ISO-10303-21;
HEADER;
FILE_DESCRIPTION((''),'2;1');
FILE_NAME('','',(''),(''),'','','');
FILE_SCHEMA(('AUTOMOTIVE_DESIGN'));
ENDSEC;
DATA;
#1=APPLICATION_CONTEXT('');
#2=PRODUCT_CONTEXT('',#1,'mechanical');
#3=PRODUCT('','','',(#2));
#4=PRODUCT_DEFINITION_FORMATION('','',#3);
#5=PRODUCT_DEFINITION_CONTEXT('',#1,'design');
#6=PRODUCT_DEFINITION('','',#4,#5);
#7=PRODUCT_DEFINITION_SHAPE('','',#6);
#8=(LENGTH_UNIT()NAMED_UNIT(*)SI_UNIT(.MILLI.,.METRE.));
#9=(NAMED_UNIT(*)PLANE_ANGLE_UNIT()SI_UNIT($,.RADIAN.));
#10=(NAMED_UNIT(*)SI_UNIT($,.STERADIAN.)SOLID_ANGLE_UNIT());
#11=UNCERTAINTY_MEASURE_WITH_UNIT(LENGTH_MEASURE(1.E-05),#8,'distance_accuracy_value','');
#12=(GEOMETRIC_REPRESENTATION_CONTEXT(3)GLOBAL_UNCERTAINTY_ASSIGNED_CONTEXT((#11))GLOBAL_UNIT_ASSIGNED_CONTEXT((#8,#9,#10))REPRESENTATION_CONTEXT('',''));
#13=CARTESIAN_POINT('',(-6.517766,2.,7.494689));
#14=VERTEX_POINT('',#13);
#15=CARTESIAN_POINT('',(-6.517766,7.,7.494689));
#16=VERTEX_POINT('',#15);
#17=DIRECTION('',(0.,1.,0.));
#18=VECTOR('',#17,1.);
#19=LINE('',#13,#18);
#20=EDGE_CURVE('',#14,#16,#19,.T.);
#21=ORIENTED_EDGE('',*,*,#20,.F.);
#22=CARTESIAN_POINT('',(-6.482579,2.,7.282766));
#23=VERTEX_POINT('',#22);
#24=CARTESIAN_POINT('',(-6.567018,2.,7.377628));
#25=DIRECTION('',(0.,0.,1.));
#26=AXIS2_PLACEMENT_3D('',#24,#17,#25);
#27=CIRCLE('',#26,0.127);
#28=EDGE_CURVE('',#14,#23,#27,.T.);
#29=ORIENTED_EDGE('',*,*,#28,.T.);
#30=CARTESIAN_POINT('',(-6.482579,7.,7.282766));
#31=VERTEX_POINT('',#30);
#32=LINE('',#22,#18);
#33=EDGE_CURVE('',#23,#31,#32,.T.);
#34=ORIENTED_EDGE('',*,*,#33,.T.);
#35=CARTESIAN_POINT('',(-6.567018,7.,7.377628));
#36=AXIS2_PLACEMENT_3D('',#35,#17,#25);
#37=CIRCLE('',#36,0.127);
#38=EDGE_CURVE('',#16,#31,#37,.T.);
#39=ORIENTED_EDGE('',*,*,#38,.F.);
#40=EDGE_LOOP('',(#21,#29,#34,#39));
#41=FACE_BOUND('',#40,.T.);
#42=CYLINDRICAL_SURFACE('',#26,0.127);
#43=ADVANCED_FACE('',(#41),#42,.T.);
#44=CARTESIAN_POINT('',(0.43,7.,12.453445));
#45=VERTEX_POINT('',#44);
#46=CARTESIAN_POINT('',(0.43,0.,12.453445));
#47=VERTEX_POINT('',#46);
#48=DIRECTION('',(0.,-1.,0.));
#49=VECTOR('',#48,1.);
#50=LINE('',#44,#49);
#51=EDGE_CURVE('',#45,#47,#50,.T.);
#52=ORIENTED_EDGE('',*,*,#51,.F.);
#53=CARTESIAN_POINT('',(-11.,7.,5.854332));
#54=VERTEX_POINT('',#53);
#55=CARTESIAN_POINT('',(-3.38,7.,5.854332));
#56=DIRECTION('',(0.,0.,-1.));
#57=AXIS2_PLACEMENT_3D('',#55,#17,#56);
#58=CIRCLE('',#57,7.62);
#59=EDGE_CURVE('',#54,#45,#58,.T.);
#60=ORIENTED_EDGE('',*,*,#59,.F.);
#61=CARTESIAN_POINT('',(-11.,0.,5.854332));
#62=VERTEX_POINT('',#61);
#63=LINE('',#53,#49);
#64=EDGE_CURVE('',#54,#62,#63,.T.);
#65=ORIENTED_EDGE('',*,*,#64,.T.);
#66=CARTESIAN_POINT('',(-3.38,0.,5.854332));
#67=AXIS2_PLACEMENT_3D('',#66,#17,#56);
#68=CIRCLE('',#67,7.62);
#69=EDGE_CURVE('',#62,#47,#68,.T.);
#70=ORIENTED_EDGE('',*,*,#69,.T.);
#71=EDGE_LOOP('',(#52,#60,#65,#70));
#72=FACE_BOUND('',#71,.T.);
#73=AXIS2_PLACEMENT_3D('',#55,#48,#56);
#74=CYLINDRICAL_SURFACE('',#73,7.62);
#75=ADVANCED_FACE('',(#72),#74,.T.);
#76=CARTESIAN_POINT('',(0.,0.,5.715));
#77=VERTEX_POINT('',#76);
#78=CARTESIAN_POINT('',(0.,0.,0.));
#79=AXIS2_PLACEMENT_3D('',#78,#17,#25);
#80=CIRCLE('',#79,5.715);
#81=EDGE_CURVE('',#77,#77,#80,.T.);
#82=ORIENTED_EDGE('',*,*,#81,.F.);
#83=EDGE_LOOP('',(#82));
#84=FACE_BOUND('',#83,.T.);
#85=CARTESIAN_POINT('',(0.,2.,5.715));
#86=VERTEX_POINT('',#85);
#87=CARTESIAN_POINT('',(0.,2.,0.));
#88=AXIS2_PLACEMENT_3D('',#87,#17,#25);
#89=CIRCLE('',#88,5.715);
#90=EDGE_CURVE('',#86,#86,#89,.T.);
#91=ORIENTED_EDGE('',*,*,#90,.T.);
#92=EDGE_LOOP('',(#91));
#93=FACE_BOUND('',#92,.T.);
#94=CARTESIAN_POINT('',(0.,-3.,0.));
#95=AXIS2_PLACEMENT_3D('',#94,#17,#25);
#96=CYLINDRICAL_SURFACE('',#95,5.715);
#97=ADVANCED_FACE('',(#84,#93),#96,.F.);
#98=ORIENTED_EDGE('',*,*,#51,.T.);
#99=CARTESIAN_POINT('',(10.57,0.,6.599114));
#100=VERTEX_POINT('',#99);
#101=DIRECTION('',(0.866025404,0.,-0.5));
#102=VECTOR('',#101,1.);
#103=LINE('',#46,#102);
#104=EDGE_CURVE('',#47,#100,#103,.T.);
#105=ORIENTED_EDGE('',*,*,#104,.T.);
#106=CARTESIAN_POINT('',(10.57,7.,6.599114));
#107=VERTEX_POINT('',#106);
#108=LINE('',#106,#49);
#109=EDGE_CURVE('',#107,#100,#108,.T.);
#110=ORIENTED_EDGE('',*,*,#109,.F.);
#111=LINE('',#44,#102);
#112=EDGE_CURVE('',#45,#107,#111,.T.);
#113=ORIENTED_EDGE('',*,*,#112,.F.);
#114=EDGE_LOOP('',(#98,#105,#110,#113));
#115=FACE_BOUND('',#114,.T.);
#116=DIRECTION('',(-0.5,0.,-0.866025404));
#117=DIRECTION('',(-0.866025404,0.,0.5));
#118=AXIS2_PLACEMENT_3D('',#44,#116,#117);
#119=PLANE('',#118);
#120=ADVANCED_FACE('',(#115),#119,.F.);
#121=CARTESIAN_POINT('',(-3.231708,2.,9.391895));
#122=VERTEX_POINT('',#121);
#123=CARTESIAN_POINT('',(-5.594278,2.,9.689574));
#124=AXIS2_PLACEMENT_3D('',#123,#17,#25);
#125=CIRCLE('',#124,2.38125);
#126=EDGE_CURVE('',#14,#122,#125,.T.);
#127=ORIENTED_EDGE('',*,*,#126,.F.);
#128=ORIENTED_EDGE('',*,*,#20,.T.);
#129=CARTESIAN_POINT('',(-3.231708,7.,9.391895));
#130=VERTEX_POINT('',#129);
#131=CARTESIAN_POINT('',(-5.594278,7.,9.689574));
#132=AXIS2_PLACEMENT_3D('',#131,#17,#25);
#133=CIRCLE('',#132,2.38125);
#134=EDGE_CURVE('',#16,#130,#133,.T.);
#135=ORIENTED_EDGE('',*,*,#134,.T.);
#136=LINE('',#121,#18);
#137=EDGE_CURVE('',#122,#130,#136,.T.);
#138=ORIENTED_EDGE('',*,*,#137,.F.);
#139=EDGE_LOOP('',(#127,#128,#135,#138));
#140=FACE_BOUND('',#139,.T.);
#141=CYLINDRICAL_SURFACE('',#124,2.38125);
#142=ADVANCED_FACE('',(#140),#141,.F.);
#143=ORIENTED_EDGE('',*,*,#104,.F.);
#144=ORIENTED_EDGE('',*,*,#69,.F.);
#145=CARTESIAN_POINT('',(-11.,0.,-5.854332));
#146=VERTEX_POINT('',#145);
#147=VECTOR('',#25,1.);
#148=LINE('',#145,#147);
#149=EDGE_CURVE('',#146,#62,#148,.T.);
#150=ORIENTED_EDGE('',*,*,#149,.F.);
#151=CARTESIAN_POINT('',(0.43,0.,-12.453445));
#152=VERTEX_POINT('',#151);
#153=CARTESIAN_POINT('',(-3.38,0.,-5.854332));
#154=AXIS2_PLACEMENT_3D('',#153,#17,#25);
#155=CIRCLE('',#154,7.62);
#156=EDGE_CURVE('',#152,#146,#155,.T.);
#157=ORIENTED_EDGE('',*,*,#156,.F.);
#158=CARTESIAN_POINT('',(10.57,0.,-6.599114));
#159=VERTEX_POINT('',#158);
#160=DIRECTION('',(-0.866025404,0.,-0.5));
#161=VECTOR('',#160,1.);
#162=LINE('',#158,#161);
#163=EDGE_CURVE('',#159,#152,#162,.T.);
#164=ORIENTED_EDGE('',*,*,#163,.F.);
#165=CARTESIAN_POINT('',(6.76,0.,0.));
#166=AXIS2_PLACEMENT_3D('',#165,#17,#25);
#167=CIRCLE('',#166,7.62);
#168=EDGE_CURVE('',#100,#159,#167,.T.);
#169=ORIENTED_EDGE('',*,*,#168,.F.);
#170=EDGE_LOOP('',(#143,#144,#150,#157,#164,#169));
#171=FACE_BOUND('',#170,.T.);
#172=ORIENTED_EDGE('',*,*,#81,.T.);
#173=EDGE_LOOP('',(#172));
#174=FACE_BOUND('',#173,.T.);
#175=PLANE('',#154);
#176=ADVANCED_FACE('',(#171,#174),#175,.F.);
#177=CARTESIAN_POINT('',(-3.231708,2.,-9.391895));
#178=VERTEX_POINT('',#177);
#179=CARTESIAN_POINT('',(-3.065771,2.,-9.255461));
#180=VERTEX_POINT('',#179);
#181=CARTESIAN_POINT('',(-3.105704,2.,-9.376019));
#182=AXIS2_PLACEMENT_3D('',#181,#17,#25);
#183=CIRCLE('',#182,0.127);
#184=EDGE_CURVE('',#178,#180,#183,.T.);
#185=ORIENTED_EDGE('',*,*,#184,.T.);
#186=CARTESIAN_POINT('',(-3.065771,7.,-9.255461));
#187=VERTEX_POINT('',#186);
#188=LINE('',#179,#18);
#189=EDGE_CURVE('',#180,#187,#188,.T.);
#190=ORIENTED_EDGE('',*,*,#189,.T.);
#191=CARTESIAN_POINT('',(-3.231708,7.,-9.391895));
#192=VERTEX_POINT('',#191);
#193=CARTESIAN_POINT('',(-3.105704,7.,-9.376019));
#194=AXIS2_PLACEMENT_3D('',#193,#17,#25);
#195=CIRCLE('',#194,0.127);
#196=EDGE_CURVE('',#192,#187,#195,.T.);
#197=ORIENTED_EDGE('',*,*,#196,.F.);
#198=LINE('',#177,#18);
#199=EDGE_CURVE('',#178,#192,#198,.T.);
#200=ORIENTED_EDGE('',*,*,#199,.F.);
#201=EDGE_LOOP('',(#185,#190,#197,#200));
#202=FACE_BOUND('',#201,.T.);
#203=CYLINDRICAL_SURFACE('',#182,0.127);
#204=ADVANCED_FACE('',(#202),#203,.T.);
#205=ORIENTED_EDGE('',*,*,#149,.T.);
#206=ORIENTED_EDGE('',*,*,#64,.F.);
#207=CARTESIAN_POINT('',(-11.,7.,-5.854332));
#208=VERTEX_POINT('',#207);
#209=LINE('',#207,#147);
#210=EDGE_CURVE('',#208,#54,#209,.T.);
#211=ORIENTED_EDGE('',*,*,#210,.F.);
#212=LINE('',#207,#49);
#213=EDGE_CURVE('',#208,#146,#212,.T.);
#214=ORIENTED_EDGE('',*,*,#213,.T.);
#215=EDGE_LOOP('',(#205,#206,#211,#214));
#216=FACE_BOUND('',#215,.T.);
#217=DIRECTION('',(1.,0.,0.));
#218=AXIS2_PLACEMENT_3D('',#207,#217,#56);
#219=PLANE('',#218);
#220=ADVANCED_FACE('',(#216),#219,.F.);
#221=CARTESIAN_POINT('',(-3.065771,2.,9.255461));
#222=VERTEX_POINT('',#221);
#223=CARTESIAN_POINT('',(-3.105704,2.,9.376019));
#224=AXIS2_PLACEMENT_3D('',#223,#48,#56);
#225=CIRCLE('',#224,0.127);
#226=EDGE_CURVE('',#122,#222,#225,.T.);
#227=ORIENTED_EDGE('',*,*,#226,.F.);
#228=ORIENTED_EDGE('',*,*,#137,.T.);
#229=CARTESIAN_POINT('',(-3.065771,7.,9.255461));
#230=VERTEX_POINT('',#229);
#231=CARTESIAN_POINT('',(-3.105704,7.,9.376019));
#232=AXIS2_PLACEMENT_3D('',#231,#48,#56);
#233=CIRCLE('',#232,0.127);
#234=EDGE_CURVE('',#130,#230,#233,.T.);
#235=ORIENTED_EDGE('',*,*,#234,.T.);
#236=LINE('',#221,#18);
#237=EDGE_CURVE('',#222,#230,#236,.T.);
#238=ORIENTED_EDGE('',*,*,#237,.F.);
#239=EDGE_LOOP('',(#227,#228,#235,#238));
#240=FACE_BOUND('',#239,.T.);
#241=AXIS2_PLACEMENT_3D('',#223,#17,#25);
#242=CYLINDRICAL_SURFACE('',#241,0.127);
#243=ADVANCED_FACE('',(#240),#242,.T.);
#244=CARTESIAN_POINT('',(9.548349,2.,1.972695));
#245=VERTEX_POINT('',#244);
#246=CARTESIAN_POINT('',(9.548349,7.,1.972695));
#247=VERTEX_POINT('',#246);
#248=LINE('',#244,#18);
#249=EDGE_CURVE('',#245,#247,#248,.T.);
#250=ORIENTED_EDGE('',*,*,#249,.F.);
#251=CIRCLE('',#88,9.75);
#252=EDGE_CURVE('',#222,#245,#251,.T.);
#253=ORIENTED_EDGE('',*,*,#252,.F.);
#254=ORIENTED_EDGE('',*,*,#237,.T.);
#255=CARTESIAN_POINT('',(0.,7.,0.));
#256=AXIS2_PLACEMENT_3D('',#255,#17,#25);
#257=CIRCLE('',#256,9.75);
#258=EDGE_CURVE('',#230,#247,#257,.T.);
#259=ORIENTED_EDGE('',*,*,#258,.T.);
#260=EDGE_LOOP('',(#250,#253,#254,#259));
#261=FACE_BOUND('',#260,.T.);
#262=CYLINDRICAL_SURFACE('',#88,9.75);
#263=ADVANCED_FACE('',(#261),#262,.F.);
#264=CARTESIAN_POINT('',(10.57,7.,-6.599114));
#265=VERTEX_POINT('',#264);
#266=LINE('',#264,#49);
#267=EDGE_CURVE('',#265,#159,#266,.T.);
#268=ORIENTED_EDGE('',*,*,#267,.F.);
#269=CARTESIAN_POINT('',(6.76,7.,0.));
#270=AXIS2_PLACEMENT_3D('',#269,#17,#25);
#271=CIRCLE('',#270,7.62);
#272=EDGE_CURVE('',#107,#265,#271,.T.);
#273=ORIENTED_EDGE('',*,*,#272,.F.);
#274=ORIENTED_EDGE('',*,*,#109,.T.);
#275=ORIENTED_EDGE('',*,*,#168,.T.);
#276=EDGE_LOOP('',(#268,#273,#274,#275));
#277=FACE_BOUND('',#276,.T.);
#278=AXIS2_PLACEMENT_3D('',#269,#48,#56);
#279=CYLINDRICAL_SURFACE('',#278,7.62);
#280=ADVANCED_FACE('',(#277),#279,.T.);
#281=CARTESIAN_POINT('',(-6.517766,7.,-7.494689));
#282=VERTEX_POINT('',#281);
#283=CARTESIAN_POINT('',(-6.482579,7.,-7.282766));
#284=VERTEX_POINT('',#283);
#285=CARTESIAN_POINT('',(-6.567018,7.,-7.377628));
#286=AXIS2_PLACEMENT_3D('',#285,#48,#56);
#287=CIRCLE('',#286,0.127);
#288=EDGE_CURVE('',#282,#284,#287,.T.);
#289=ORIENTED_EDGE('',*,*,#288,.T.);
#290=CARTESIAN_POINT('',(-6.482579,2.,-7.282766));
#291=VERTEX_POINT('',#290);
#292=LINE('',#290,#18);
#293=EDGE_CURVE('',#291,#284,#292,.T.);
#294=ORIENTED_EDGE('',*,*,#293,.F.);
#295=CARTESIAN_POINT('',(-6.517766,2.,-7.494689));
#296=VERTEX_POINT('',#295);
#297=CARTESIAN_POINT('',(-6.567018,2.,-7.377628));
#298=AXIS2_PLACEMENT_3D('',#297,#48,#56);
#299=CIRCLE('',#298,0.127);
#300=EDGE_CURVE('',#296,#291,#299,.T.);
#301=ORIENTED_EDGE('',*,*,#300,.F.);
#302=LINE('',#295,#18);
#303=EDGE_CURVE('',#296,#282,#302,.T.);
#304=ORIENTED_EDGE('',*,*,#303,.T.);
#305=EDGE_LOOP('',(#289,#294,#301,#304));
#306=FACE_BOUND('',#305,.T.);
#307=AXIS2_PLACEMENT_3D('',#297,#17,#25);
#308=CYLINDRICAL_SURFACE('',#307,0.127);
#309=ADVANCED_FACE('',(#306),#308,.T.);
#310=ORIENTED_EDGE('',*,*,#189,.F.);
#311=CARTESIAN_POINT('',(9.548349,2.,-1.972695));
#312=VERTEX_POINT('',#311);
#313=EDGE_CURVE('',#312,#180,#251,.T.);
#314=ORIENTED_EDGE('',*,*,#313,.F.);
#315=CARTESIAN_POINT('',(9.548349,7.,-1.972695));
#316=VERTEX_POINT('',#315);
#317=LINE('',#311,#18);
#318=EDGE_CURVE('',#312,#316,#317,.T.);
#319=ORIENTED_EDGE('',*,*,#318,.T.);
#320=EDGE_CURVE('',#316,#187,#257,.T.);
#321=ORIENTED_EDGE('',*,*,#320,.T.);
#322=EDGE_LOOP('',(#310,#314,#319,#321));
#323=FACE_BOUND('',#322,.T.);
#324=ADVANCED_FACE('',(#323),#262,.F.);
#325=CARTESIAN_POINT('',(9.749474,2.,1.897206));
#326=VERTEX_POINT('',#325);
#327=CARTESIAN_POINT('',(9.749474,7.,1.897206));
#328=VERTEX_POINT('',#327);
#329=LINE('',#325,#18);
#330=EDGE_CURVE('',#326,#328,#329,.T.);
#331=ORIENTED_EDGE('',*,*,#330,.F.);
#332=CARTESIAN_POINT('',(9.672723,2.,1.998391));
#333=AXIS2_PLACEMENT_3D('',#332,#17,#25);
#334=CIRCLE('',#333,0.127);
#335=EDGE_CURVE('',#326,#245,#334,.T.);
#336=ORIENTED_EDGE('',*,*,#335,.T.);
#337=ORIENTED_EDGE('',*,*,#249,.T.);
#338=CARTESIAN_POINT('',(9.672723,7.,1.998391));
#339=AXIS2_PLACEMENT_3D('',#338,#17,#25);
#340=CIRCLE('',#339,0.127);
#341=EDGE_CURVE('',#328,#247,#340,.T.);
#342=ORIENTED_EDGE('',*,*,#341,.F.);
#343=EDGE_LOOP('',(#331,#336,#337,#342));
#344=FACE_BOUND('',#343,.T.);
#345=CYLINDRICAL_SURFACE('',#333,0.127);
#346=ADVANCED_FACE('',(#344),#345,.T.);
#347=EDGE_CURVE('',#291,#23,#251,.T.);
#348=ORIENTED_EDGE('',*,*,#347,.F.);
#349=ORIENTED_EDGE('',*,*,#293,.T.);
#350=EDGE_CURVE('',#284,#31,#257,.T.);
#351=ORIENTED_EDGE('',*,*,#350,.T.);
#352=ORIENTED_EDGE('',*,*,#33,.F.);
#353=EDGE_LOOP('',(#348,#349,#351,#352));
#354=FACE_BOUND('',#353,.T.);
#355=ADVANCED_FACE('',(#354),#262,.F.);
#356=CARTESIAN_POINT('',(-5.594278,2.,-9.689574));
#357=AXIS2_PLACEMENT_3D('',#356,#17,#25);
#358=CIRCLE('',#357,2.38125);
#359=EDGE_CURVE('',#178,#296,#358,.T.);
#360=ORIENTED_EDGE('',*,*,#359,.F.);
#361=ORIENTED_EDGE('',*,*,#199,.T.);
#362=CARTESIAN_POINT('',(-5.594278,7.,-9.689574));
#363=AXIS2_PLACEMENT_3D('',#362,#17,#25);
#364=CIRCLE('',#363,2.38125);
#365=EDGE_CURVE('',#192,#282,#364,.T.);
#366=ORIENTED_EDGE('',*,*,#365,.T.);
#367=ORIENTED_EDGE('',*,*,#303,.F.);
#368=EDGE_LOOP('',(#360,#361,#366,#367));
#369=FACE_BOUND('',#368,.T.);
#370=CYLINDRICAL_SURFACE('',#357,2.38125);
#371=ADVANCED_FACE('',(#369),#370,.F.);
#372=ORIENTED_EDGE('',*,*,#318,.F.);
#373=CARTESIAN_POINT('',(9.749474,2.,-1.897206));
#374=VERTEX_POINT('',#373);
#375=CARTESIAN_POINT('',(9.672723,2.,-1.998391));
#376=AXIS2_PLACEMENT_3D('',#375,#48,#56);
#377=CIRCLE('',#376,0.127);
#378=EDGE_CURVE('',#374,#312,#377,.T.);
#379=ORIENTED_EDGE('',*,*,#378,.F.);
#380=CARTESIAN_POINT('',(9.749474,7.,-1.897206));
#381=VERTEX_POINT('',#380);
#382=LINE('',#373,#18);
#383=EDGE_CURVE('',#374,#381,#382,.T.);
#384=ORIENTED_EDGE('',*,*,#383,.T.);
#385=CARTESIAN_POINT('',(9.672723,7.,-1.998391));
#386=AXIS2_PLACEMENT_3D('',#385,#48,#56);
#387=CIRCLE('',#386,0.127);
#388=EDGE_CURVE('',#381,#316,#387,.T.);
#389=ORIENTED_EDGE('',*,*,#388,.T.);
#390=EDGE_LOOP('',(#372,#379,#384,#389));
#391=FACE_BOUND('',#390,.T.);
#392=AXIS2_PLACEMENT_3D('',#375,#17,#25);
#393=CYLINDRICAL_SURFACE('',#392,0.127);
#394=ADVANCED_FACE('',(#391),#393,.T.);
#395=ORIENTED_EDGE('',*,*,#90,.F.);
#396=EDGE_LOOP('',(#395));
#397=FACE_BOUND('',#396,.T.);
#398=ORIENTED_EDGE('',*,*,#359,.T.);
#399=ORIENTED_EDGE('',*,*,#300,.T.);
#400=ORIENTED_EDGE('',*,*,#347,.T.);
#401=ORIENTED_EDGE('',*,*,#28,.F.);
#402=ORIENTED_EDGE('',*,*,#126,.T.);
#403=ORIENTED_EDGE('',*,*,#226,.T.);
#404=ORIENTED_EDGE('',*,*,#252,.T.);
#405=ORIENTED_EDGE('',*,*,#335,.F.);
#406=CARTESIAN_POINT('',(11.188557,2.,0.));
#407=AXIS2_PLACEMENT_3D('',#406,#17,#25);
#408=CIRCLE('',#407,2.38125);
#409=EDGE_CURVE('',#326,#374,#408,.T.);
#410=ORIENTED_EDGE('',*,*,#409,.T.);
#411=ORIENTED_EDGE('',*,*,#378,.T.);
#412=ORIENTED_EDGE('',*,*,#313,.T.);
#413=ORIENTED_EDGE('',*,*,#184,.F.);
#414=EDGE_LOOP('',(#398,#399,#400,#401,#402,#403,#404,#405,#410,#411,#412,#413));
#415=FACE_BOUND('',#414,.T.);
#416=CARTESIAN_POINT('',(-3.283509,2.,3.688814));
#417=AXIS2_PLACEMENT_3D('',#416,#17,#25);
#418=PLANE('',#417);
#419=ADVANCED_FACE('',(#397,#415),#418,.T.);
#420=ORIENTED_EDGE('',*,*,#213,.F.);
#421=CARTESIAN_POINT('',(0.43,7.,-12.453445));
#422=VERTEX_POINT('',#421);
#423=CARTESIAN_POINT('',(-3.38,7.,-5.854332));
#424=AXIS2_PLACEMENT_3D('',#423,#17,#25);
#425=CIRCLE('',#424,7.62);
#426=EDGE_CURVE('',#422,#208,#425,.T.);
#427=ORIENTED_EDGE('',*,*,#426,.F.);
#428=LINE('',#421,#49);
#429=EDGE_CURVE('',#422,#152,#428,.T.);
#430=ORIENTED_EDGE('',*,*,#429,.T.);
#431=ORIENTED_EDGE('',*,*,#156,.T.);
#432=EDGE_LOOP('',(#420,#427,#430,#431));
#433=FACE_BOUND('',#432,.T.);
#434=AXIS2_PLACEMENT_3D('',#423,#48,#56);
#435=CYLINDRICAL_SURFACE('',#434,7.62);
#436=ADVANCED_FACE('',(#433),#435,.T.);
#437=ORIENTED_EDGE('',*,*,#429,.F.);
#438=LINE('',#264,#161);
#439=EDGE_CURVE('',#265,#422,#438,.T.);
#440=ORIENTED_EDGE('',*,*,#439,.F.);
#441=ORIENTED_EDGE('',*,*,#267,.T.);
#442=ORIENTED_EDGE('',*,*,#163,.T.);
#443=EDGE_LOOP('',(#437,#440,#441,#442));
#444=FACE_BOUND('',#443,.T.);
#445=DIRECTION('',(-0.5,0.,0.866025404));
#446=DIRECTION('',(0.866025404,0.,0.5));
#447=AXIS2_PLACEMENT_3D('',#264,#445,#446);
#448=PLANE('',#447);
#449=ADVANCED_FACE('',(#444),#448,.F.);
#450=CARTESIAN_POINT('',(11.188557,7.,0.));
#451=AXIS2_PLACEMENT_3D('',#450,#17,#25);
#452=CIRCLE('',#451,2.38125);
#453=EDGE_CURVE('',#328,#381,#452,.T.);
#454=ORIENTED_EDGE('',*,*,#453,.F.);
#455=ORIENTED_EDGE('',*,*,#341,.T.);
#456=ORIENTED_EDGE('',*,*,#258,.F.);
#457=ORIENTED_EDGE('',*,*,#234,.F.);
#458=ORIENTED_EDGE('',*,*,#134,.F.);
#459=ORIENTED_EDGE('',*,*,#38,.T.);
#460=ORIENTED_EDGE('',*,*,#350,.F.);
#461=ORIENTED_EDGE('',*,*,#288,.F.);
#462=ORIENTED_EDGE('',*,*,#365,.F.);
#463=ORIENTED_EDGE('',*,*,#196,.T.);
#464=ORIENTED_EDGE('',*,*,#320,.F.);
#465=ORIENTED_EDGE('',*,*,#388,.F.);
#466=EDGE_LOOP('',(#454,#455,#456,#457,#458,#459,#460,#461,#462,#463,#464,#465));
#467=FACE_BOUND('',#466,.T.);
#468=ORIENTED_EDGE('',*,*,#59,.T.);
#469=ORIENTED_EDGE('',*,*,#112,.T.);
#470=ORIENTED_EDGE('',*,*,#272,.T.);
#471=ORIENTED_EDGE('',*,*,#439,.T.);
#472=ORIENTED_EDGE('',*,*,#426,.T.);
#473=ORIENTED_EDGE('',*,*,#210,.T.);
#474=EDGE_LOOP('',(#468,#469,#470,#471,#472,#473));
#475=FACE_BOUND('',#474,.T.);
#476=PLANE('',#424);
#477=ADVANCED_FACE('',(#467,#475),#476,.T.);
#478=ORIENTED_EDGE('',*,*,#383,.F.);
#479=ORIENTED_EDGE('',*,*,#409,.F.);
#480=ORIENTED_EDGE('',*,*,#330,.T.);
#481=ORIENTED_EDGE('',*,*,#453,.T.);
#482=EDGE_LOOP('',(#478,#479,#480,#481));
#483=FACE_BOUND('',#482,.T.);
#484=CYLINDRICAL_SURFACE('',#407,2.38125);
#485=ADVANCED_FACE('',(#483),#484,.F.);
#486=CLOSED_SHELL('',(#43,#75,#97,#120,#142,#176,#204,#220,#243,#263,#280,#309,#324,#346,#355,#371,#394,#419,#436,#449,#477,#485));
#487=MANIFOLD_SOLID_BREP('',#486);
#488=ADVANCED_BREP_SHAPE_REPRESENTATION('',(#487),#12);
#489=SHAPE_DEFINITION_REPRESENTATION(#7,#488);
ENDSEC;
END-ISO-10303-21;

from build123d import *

# Parameters (mm, degrees)
BOSS_EXTRUDE15_DEPTH = 7
CUT_EXTRUDE1_DEPTH   = 5
SKETCH9_R            = 5.715
CUT_EXTRUDE2_DEPTH   = 5


with BuildPart() as part:
    # Sketch7 → Boss-Extrude15 (new body)
    with BuildSketch(Plane(origin=(0, 0, 0), x_dir=(1, 0, 0), z_dir=(0, 1, 0))):
        with BuildLine():
            Line((10.57, 6.599113577), (0.43, 12.453445306))
            ThreePointArc((0.43, 12.453445306), (-7.19, 12.453445306), (-11, 5.85433173))
            Line((-11, 5.85433173), (-11, -5.85433173))
            ThreePointArc((-11, -5.85433173), (-7.19, -12.453445306), (0.43, -12.453445306))
            Line((0.43, -12.453445306), (10.57, -6.599113577))
            ThreePointArc((10.57, -6.599113577), (14.38, 0), (10.57, 6.599113577))
        make_face()
    extrude(amount=BOSS_EXTRUDE15_DEPTH)

    # Sketch8 → Cut-Extrude1 (cut)
    with BuildSketch(Plane(origin=(0, 7, 0), x_dir=(1, 0, 0), z_dir=(0, 1, 0))):
        with BuildLine():
            ThreePointArc((-6.482578701, -7.282765504), (-6.441733645, -7.398430092), (-6.51776578, -7.494688754))
            ThreePointArc((-6.51776578, -7.494688754), (-7.970853819, -9.540441946), (-6.784903319, -11.751797273))
            ThreePointArc((-6.784903319, -11.751797273), (-4.276838179, -11.67318287), (-3.231707964, -9.391895118))
            ThreePointArc((-3.231707964, -9.391895118), (-3.186361585, -9.277920027), (-3.065770585, -9.255460589))
            ThreePointArc((-3.065770585, -9.255460589), (4.875, -8.443747687), (9.548349287, -1.972695086))
            ThreePointArc((9.548349287, -1.972695086), (9.62809523, -1.879489935), (9.749473744, -1.897206364))
            ThreePointArc((9.749473744, -1.897206364), (12.247691998, -2.132740924), (13.569806638, 0))
            ThreePointArc((13.569806638, 0), (12.247691998, 2.132740924), (9.749473744, 1.897206364))
            ThreePointArc((9.749473744, 1.897206364), (9.62809523, 1.879489935), (9.548349287, 1.972695086))
            ThreePointArc((9.548349287, 1.972695086), (4.875, 8.443747687), (-3.065770585, 9.255460589))
            ThreePointArc((-3.065770585, 9.255460589), (-3.186361585, 9.277920027), (-3.231707964, 9.391895118))
            ThreePointArc((-3.231707964, 9.391895118), (-4.276838179, 11.67318287), (-6.784903319, 11.751797273))
            ThreePointArc((-6.784903319, 11.751797273), (-7.970853819, 9.540441946), (-6.51776578, 7.494688754))
            ThreePointArc((-6.51776578, 7.494688754), (-6.441733645, 7.398430092), (-6.482578701, 7.282765504))
            ThreePointArc((-6.482578701, 7.282765504), (-9.75, 0), (-6.482578701, -7.282765504))
        make_face()
    extrude(amount=-CUT_EXTRUDE1_DEPTH, mode=Mode.SUBTRACT)

    # Sketch9 → Cut-Extrude2 (cut)
    with BuildSketch(Plane(origin=(0, 2, 0), x_dir=(1, 0, 0), z_dir=(0, 1, 0))):
        Circle(SKETCH9_R)
    extrude(amount=-CUT_EXTRUDE2_DEPTH, mode=Mode.SUBTRACT)


solid = part.part
